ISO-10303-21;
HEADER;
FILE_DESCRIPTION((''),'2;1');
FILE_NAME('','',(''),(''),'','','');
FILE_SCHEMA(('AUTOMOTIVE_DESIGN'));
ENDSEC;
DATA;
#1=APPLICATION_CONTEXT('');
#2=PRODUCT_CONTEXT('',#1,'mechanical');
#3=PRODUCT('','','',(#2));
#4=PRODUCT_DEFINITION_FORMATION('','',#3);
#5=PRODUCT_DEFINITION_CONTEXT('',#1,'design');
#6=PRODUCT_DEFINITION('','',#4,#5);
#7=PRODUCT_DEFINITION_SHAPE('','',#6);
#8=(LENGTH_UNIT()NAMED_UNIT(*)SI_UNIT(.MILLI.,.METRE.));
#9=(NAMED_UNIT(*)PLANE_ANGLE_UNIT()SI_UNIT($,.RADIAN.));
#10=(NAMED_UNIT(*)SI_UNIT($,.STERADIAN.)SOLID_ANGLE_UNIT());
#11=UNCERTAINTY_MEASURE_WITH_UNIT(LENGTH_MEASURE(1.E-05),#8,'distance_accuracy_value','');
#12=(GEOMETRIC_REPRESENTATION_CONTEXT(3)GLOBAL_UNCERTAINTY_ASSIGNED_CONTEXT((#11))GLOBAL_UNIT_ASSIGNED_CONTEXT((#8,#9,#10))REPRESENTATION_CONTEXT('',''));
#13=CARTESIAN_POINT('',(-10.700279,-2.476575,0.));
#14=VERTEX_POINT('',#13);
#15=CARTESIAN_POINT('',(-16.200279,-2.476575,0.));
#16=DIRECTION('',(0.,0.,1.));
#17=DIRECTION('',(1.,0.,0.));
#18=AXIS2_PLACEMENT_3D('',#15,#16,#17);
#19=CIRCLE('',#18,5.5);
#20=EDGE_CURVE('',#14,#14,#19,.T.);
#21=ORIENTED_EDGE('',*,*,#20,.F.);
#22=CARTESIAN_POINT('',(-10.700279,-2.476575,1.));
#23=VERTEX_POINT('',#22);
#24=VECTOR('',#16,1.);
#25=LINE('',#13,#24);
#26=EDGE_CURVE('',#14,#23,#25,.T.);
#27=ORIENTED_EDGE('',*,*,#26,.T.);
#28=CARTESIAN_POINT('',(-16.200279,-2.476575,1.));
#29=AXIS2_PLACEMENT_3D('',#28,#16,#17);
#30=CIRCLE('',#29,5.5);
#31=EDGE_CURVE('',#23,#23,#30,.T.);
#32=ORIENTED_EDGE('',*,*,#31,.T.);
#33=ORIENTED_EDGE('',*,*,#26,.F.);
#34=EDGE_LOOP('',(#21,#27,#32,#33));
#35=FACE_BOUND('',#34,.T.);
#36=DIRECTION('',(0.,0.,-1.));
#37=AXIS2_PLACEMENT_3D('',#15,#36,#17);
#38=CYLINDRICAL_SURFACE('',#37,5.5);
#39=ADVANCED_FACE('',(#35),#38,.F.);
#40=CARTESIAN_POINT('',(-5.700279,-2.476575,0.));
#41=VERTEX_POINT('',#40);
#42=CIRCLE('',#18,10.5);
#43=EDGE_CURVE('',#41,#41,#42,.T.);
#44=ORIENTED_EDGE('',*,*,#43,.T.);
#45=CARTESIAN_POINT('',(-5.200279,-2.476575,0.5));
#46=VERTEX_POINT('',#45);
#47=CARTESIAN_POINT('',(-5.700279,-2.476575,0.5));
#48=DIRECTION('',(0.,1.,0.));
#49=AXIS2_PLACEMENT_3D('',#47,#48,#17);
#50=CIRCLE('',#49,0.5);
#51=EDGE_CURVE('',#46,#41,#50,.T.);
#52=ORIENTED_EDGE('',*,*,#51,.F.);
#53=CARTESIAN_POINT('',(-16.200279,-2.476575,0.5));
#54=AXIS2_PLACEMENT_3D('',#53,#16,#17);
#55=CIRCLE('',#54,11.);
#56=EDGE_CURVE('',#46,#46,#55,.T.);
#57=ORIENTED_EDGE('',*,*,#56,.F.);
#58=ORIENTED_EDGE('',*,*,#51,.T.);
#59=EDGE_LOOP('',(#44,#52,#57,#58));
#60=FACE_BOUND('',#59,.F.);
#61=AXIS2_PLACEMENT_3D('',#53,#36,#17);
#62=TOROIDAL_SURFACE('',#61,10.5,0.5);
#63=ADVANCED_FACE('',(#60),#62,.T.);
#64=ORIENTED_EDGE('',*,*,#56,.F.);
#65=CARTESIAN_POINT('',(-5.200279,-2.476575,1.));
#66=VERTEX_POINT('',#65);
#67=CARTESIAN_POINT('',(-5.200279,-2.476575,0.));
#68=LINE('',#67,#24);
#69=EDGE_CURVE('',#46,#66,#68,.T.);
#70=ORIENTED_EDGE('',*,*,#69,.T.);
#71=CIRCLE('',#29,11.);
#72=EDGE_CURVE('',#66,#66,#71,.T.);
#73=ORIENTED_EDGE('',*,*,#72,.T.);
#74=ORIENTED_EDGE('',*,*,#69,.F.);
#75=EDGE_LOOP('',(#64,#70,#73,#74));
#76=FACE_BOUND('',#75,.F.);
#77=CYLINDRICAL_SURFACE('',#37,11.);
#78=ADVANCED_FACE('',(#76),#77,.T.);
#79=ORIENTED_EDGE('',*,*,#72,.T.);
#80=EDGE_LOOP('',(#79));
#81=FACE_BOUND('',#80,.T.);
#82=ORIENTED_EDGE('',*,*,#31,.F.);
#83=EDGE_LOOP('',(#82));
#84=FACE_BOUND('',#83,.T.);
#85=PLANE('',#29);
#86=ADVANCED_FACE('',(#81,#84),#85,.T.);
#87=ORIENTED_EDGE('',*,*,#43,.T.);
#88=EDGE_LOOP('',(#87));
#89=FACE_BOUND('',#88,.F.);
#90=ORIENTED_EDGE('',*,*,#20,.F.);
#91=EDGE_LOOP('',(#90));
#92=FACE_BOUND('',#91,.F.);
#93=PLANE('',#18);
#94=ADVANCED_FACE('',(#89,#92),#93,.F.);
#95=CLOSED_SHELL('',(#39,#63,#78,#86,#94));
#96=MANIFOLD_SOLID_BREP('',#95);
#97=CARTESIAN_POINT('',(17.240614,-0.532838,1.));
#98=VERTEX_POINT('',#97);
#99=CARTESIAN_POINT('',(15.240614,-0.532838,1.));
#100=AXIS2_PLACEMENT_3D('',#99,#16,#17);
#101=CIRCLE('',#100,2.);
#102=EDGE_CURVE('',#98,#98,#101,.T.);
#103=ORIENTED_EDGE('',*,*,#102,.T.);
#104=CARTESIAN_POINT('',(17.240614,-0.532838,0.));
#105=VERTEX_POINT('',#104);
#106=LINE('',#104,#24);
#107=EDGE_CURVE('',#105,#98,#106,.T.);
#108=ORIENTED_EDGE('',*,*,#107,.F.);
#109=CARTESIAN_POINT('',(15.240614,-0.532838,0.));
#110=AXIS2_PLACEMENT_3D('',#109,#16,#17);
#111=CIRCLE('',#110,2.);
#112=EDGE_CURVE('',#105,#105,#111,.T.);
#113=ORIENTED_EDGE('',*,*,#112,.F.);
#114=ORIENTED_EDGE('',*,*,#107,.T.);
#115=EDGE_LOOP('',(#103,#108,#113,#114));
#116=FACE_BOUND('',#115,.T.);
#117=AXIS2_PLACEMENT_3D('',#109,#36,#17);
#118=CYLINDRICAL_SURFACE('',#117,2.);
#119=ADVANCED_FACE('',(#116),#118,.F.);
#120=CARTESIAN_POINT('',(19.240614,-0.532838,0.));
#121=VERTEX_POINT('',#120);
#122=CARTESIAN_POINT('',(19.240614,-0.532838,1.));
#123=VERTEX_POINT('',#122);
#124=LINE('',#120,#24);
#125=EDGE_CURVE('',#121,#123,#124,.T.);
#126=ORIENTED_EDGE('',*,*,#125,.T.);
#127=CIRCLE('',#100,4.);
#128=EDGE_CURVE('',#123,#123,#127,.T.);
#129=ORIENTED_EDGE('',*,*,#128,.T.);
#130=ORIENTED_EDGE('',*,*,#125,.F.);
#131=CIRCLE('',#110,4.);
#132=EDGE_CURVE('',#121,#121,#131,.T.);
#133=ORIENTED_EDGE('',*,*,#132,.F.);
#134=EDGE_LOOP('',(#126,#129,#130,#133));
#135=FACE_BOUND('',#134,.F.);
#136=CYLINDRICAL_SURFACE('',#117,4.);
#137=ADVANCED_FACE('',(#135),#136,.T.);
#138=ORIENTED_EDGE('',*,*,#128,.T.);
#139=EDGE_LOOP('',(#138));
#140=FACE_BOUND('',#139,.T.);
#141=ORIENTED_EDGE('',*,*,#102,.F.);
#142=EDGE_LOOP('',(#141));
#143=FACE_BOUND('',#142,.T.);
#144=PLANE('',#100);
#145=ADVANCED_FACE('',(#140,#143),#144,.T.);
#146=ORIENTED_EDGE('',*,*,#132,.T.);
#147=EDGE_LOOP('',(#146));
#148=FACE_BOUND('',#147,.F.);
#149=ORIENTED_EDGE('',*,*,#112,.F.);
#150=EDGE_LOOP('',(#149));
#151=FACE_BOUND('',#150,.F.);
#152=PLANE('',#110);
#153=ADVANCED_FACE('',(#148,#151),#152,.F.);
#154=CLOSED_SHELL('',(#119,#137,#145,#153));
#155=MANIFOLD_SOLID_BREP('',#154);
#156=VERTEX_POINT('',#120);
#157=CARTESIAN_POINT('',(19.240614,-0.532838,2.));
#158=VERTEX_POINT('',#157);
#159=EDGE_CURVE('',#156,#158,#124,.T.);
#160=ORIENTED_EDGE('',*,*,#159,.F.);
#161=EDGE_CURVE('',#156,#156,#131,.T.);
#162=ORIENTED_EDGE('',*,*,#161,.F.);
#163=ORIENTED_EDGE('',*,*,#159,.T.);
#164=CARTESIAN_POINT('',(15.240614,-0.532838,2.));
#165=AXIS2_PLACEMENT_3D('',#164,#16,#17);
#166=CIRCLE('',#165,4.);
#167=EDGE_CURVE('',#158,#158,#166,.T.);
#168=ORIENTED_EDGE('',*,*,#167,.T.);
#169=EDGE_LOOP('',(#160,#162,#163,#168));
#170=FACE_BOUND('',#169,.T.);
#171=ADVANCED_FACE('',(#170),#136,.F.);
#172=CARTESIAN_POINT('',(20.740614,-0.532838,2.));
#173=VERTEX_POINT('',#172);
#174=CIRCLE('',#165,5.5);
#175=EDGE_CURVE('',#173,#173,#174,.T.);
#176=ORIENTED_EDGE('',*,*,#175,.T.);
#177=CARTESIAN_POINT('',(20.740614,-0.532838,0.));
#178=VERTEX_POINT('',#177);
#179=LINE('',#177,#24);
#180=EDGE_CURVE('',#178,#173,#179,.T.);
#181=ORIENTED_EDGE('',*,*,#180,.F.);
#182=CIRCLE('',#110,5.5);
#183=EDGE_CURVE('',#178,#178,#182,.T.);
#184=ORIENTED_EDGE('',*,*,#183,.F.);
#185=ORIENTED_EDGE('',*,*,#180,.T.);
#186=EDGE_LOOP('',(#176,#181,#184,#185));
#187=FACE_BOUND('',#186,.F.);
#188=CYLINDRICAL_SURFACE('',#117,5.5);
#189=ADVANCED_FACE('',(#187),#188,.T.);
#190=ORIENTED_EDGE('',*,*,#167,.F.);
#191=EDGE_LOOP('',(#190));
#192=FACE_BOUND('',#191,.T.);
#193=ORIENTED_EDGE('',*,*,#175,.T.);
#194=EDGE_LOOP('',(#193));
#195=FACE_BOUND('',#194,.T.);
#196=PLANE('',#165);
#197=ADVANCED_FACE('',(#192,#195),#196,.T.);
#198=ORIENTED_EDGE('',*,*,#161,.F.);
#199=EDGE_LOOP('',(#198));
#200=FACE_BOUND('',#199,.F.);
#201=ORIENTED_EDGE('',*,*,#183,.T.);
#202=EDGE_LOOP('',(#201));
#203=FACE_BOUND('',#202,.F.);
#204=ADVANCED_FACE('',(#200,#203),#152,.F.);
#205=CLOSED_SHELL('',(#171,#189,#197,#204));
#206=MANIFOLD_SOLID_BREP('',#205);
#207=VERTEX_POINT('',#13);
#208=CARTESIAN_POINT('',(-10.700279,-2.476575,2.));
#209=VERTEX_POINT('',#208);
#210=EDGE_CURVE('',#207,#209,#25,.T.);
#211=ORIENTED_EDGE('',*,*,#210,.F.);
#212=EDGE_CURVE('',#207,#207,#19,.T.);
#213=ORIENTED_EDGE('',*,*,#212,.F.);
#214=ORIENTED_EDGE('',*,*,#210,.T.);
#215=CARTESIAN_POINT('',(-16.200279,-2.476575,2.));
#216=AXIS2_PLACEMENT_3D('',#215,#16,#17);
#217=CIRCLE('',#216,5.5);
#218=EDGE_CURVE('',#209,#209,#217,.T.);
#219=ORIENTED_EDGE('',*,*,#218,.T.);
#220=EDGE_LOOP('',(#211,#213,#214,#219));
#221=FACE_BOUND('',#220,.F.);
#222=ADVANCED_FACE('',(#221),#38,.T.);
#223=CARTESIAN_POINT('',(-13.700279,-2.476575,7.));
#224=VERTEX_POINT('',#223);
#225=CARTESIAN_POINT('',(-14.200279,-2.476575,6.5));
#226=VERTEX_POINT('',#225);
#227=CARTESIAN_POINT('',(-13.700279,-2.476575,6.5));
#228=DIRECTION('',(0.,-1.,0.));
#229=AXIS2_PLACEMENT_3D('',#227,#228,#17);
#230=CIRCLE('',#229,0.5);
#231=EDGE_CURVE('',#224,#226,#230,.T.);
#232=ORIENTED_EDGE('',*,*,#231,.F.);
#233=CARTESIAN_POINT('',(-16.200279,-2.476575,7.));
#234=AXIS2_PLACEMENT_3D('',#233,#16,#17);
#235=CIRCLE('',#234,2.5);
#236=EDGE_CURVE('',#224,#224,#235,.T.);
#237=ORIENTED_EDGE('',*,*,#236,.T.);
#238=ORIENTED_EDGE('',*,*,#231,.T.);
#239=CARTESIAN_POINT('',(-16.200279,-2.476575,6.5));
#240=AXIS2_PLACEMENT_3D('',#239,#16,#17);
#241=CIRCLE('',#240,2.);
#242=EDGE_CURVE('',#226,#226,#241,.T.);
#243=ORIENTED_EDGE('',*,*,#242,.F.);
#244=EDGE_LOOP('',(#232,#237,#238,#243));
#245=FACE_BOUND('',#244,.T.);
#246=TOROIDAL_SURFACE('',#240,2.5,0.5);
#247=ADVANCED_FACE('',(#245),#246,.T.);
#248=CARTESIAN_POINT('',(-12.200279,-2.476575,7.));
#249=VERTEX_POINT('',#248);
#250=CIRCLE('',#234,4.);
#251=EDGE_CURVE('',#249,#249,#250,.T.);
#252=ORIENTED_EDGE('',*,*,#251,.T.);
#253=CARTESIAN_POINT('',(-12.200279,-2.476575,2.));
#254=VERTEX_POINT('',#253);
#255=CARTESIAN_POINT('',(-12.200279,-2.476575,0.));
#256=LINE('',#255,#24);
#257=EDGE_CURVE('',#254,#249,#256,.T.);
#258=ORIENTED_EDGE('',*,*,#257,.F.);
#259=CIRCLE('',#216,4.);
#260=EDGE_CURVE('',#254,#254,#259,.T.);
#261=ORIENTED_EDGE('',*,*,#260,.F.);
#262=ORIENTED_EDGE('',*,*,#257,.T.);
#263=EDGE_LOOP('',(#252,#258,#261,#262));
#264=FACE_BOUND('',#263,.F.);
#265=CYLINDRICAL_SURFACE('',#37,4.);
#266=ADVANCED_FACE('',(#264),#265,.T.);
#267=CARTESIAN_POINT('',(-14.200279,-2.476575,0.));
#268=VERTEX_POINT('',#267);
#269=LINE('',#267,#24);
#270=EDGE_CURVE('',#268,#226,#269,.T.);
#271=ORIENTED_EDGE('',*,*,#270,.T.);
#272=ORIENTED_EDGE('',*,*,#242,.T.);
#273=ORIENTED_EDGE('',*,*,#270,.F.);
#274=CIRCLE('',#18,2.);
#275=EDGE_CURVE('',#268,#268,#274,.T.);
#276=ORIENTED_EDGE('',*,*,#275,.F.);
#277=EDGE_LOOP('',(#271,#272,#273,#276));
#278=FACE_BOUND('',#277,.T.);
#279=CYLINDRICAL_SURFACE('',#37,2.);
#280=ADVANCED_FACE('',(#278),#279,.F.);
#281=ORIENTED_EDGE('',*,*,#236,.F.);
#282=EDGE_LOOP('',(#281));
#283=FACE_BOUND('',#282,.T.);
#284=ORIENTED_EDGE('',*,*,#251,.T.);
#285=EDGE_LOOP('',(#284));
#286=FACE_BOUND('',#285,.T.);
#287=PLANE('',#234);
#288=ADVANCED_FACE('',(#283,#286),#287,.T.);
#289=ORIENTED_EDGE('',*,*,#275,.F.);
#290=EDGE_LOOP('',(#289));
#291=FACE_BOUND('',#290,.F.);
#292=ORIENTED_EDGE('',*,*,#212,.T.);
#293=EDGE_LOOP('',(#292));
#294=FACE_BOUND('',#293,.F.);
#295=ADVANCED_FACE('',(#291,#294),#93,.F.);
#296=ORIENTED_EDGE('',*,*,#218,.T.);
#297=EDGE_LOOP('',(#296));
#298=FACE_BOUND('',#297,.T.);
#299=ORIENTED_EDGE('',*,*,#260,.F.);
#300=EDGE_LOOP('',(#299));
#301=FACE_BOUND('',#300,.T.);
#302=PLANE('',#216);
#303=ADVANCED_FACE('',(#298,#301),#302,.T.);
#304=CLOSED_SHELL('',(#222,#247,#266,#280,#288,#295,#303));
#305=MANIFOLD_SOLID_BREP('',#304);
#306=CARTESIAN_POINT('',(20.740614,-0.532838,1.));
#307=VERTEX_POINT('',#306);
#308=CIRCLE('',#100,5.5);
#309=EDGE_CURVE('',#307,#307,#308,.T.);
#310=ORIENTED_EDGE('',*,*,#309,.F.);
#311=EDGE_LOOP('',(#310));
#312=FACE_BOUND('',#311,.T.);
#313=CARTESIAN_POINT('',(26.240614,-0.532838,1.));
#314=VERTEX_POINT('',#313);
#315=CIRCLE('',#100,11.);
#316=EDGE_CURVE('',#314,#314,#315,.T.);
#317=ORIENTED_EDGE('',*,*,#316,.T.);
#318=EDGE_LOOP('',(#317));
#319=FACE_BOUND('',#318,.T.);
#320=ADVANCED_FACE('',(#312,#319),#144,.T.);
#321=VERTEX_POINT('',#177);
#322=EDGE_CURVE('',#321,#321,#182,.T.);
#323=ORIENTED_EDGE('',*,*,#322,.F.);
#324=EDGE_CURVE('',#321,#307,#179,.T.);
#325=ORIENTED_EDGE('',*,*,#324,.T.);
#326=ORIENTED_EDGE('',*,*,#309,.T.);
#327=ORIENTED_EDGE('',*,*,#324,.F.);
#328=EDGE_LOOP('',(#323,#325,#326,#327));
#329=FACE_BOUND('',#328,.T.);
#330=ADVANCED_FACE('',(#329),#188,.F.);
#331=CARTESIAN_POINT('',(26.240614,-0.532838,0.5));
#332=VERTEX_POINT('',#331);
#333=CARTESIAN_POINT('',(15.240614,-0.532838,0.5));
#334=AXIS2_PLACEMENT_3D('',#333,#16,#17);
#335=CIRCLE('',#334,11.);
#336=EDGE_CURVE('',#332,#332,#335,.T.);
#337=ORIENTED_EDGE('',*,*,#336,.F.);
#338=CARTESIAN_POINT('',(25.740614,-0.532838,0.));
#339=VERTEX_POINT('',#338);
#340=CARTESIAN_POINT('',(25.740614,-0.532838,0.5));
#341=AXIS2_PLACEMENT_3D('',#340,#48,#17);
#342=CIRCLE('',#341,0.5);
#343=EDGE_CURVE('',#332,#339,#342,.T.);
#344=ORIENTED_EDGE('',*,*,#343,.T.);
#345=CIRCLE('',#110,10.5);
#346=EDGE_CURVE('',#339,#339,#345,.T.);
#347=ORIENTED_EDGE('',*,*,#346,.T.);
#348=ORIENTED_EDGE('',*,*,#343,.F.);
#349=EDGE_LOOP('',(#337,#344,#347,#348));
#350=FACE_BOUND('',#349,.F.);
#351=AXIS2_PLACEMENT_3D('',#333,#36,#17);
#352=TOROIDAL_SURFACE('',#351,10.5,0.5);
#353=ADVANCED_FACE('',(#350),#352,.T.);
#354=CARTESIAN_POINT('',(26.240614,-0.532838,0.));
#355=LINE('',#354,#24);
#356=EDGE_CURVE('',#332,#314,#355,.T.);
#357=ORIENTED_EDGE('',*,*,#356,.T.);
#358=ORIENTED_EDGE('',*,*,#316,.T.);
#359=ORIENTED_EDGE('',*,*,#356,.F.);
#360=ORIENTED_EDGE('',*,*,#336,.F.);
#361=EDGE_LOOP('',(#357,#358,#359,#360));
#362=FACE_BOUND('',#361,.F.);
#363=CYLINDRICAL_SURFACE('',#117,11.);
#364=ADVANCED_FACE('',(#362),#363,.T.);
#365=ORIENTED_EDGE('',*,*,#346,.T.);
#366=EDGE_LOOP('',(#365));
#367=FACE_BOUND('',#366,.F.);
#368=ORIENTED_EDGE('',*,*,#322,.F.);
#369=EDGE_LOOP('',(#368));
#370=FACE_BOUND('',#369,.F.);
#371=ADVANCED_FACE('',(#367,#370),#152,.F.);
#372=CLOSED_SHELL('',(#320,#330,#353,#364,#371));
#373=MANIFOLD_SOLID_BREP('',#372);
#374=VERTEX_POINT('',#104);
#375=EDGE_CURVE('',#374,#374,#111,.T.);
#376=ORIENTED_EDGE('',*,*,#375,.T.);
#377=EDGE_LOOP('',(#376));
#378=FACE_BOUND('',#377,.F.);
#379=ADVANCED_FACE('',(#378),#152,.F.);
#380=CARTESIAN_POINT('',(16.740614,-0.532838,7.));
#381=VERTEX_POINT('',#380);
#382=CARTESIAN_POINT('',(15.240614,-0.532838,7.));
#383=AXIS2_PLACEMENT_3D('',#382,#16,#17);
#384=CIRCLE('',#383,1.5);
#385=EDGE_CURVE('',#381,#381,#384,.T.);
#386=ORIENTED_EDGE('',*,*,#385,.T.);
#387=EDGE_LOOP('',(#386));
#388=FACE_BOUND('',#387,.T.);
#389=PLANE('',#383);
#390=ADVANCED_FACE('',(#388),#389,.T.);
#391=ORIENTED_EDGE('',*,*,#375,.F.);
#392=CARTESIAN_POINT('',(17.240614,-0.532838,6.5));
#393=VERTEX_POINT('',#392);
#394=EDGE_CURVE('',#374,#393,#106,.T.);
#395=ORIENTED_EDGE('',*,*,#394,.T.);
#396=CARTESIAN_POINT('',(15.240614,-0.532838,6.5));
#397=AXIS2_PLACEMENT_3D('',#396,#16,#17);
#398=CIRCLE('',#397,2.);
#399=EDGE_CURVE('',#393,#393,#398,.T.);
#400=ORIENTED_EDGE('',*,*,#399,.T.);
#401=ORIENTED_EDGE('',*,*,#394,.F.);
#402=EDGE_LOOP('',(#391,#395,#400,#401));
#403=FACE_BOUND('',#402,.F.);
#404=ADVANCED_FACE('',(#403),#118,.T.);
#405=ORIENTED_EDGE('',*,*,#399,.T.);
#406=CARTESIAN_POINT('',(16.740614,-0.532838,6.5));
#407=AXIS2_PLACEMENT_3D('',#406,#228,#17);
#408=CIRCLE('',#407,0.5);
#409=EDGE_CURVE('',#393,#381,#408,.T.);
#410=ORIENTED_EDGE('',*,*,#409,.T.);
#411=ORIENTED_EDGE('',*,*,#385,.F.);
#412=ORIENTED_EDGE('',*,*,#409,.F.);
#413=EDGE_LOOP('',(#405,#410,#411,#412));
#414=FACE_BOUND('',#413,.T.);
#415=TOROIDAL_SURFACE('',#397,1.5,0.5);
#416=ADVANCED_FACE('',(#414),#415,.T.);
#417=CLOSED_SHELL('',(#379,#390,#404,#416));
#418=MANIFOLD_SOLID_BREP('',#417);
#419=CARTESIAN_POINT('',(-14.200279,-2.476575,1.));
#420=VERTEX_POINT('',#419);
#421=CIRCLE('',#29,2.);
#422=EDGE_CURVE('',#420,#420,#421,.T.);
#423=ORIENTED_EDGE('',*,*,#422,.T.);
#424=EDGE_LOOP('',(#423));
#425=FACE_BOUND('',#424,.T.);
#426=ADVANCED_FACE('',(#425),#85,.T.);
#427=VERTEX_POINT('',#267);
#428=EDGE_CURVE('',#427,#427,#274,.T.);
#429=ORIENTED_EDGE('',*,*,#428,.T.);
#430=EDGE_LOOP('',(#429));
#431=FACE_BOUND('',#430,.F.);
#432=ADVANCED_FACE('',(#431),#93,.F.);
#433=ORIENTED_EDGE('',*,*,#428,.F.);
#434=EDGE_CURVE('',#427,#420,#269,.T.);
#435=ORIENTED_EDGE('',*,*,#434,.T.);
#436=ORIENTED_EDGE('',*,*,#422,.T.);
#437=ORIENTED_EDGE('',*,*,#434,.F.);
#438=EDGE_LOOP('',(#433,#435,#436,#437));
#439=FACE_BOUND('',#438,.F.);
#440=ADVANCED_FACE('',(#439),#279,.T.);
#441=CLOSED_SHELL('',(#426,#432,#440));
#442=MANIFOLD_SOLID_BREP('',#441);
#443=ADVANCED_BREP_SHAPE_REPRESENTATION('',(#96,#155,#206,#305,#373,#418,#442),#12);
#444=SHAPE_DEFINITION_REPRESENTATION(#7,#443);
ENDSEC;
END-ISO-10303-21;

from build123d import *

# Parameters (mm, degrees)
F0_R     = 11
F0_R_2   = 5.5
F1_DEPTH = 1
F2_DEPTH = 1
F0_R_3   = 4
F3_DEPTH = 2
F0_R_4   = 2
F4_DEPTH = 7
F5_DEPTH = 1
F6_R     = 0.5
F6_2_R   = 0.5
F7_R     = 0.5


with BuildPart() as f1:
    # F0 (on Top) → F1 (new body)
    with BuildSketch(Plane.XY):
        with Locations((15.240614, -0.532838)):
            Circle(F0_R)
        with Locations((15.240614, -0.532838)):
            Circle(F0_R_2, mode=Mode.SUBTRACT)
    extrude(amount=F1_DEPTH)

    # F6
    f6_edges = [f1.edges().sort_by_distance(p)[0] for p in [
        (4.240614, -0.532838, 0),
    ]]
    fillet(f6_edges, radius=F6_R)


with BuildPart() as f2:
    # F0 (on Top) → F2 (new body)
    with BuildSketch(Plane.XY):
        with Locations((-16.200279, -2.476575)):
            Circle(F0_R)
        with Locations((-16.200279, -2.476575)):
            Circle(F0_R_2, mode=Mode.SUBTRACT)
    extrude(amount=F2_DEPTH)

    # F6#2
    f6_2_edges = [f2.edges().sort_by_distance(p)[0] for p in [
        (-27.200279, -2.476575, 0),
    ]]
    fillet(f6_2_edges, radius=F6_2_R)


with BuildPart() as f3:
    # F0 (on Top) → F3 (new body)
    with BuildSketch(Plane.XY):
        with Locations((-16.200279, -2.476575)):
            Circle(F0_R_2)
        with Locations((-16.200279, -2.476575)):
            Circle(F0_R_3, mode=Mode.SUBTRACT)
        with Locations((15.240614, -0.532838)):
            Circle(F0_R_2)
        with Locations((15.240614, -0.532838)):
            Circle(F0_R_3, mode=Mode.SUBTRACT)
    extrude(amount=F3_DEPTH)

    # F0 (on Top) → F4 (join)
    with BuildSketch(Plane.XY):
        with Locations((-16.200279, -2.476575)):
            Circle(F0_R_3)
        with Locations((-16.200279, -2.476575)):
            Circle(F0_R_4, mode=Mode.SUBTRACT)
        with Locations((15.240614, -0.532838)):
            Circle(F0_R_4)
    extrude(amount=F4_DEPTH)

    # F7
    f7_edges = [f3.edges().sort_by_distance(p)[0] for p in [
        (13.240614, -0.532838, 7),
        (-18.200279, -2.476575, 7),
    ]]
    fillet(f7_edges, radius=F7_R)


with BuildPart() as f5:
    # F0 (on Top) → F5 (new body)
    with BuildSketch(Plane.XY):
        with Locations((-16.200279, -2.476575)):
            Circle(F0_R_4)
        with Locations((15.240614, -0.532838)):
            Circle(F0_R_3)
        with Locations((15.240614, -0.532838)):
            Circle(F0_R_4, mode=Mode.SUBTRACT)
    extrude(amount=F5_DEPTH)


solid = Compound([f1.part, f2.part, f3.part, f5.part])
